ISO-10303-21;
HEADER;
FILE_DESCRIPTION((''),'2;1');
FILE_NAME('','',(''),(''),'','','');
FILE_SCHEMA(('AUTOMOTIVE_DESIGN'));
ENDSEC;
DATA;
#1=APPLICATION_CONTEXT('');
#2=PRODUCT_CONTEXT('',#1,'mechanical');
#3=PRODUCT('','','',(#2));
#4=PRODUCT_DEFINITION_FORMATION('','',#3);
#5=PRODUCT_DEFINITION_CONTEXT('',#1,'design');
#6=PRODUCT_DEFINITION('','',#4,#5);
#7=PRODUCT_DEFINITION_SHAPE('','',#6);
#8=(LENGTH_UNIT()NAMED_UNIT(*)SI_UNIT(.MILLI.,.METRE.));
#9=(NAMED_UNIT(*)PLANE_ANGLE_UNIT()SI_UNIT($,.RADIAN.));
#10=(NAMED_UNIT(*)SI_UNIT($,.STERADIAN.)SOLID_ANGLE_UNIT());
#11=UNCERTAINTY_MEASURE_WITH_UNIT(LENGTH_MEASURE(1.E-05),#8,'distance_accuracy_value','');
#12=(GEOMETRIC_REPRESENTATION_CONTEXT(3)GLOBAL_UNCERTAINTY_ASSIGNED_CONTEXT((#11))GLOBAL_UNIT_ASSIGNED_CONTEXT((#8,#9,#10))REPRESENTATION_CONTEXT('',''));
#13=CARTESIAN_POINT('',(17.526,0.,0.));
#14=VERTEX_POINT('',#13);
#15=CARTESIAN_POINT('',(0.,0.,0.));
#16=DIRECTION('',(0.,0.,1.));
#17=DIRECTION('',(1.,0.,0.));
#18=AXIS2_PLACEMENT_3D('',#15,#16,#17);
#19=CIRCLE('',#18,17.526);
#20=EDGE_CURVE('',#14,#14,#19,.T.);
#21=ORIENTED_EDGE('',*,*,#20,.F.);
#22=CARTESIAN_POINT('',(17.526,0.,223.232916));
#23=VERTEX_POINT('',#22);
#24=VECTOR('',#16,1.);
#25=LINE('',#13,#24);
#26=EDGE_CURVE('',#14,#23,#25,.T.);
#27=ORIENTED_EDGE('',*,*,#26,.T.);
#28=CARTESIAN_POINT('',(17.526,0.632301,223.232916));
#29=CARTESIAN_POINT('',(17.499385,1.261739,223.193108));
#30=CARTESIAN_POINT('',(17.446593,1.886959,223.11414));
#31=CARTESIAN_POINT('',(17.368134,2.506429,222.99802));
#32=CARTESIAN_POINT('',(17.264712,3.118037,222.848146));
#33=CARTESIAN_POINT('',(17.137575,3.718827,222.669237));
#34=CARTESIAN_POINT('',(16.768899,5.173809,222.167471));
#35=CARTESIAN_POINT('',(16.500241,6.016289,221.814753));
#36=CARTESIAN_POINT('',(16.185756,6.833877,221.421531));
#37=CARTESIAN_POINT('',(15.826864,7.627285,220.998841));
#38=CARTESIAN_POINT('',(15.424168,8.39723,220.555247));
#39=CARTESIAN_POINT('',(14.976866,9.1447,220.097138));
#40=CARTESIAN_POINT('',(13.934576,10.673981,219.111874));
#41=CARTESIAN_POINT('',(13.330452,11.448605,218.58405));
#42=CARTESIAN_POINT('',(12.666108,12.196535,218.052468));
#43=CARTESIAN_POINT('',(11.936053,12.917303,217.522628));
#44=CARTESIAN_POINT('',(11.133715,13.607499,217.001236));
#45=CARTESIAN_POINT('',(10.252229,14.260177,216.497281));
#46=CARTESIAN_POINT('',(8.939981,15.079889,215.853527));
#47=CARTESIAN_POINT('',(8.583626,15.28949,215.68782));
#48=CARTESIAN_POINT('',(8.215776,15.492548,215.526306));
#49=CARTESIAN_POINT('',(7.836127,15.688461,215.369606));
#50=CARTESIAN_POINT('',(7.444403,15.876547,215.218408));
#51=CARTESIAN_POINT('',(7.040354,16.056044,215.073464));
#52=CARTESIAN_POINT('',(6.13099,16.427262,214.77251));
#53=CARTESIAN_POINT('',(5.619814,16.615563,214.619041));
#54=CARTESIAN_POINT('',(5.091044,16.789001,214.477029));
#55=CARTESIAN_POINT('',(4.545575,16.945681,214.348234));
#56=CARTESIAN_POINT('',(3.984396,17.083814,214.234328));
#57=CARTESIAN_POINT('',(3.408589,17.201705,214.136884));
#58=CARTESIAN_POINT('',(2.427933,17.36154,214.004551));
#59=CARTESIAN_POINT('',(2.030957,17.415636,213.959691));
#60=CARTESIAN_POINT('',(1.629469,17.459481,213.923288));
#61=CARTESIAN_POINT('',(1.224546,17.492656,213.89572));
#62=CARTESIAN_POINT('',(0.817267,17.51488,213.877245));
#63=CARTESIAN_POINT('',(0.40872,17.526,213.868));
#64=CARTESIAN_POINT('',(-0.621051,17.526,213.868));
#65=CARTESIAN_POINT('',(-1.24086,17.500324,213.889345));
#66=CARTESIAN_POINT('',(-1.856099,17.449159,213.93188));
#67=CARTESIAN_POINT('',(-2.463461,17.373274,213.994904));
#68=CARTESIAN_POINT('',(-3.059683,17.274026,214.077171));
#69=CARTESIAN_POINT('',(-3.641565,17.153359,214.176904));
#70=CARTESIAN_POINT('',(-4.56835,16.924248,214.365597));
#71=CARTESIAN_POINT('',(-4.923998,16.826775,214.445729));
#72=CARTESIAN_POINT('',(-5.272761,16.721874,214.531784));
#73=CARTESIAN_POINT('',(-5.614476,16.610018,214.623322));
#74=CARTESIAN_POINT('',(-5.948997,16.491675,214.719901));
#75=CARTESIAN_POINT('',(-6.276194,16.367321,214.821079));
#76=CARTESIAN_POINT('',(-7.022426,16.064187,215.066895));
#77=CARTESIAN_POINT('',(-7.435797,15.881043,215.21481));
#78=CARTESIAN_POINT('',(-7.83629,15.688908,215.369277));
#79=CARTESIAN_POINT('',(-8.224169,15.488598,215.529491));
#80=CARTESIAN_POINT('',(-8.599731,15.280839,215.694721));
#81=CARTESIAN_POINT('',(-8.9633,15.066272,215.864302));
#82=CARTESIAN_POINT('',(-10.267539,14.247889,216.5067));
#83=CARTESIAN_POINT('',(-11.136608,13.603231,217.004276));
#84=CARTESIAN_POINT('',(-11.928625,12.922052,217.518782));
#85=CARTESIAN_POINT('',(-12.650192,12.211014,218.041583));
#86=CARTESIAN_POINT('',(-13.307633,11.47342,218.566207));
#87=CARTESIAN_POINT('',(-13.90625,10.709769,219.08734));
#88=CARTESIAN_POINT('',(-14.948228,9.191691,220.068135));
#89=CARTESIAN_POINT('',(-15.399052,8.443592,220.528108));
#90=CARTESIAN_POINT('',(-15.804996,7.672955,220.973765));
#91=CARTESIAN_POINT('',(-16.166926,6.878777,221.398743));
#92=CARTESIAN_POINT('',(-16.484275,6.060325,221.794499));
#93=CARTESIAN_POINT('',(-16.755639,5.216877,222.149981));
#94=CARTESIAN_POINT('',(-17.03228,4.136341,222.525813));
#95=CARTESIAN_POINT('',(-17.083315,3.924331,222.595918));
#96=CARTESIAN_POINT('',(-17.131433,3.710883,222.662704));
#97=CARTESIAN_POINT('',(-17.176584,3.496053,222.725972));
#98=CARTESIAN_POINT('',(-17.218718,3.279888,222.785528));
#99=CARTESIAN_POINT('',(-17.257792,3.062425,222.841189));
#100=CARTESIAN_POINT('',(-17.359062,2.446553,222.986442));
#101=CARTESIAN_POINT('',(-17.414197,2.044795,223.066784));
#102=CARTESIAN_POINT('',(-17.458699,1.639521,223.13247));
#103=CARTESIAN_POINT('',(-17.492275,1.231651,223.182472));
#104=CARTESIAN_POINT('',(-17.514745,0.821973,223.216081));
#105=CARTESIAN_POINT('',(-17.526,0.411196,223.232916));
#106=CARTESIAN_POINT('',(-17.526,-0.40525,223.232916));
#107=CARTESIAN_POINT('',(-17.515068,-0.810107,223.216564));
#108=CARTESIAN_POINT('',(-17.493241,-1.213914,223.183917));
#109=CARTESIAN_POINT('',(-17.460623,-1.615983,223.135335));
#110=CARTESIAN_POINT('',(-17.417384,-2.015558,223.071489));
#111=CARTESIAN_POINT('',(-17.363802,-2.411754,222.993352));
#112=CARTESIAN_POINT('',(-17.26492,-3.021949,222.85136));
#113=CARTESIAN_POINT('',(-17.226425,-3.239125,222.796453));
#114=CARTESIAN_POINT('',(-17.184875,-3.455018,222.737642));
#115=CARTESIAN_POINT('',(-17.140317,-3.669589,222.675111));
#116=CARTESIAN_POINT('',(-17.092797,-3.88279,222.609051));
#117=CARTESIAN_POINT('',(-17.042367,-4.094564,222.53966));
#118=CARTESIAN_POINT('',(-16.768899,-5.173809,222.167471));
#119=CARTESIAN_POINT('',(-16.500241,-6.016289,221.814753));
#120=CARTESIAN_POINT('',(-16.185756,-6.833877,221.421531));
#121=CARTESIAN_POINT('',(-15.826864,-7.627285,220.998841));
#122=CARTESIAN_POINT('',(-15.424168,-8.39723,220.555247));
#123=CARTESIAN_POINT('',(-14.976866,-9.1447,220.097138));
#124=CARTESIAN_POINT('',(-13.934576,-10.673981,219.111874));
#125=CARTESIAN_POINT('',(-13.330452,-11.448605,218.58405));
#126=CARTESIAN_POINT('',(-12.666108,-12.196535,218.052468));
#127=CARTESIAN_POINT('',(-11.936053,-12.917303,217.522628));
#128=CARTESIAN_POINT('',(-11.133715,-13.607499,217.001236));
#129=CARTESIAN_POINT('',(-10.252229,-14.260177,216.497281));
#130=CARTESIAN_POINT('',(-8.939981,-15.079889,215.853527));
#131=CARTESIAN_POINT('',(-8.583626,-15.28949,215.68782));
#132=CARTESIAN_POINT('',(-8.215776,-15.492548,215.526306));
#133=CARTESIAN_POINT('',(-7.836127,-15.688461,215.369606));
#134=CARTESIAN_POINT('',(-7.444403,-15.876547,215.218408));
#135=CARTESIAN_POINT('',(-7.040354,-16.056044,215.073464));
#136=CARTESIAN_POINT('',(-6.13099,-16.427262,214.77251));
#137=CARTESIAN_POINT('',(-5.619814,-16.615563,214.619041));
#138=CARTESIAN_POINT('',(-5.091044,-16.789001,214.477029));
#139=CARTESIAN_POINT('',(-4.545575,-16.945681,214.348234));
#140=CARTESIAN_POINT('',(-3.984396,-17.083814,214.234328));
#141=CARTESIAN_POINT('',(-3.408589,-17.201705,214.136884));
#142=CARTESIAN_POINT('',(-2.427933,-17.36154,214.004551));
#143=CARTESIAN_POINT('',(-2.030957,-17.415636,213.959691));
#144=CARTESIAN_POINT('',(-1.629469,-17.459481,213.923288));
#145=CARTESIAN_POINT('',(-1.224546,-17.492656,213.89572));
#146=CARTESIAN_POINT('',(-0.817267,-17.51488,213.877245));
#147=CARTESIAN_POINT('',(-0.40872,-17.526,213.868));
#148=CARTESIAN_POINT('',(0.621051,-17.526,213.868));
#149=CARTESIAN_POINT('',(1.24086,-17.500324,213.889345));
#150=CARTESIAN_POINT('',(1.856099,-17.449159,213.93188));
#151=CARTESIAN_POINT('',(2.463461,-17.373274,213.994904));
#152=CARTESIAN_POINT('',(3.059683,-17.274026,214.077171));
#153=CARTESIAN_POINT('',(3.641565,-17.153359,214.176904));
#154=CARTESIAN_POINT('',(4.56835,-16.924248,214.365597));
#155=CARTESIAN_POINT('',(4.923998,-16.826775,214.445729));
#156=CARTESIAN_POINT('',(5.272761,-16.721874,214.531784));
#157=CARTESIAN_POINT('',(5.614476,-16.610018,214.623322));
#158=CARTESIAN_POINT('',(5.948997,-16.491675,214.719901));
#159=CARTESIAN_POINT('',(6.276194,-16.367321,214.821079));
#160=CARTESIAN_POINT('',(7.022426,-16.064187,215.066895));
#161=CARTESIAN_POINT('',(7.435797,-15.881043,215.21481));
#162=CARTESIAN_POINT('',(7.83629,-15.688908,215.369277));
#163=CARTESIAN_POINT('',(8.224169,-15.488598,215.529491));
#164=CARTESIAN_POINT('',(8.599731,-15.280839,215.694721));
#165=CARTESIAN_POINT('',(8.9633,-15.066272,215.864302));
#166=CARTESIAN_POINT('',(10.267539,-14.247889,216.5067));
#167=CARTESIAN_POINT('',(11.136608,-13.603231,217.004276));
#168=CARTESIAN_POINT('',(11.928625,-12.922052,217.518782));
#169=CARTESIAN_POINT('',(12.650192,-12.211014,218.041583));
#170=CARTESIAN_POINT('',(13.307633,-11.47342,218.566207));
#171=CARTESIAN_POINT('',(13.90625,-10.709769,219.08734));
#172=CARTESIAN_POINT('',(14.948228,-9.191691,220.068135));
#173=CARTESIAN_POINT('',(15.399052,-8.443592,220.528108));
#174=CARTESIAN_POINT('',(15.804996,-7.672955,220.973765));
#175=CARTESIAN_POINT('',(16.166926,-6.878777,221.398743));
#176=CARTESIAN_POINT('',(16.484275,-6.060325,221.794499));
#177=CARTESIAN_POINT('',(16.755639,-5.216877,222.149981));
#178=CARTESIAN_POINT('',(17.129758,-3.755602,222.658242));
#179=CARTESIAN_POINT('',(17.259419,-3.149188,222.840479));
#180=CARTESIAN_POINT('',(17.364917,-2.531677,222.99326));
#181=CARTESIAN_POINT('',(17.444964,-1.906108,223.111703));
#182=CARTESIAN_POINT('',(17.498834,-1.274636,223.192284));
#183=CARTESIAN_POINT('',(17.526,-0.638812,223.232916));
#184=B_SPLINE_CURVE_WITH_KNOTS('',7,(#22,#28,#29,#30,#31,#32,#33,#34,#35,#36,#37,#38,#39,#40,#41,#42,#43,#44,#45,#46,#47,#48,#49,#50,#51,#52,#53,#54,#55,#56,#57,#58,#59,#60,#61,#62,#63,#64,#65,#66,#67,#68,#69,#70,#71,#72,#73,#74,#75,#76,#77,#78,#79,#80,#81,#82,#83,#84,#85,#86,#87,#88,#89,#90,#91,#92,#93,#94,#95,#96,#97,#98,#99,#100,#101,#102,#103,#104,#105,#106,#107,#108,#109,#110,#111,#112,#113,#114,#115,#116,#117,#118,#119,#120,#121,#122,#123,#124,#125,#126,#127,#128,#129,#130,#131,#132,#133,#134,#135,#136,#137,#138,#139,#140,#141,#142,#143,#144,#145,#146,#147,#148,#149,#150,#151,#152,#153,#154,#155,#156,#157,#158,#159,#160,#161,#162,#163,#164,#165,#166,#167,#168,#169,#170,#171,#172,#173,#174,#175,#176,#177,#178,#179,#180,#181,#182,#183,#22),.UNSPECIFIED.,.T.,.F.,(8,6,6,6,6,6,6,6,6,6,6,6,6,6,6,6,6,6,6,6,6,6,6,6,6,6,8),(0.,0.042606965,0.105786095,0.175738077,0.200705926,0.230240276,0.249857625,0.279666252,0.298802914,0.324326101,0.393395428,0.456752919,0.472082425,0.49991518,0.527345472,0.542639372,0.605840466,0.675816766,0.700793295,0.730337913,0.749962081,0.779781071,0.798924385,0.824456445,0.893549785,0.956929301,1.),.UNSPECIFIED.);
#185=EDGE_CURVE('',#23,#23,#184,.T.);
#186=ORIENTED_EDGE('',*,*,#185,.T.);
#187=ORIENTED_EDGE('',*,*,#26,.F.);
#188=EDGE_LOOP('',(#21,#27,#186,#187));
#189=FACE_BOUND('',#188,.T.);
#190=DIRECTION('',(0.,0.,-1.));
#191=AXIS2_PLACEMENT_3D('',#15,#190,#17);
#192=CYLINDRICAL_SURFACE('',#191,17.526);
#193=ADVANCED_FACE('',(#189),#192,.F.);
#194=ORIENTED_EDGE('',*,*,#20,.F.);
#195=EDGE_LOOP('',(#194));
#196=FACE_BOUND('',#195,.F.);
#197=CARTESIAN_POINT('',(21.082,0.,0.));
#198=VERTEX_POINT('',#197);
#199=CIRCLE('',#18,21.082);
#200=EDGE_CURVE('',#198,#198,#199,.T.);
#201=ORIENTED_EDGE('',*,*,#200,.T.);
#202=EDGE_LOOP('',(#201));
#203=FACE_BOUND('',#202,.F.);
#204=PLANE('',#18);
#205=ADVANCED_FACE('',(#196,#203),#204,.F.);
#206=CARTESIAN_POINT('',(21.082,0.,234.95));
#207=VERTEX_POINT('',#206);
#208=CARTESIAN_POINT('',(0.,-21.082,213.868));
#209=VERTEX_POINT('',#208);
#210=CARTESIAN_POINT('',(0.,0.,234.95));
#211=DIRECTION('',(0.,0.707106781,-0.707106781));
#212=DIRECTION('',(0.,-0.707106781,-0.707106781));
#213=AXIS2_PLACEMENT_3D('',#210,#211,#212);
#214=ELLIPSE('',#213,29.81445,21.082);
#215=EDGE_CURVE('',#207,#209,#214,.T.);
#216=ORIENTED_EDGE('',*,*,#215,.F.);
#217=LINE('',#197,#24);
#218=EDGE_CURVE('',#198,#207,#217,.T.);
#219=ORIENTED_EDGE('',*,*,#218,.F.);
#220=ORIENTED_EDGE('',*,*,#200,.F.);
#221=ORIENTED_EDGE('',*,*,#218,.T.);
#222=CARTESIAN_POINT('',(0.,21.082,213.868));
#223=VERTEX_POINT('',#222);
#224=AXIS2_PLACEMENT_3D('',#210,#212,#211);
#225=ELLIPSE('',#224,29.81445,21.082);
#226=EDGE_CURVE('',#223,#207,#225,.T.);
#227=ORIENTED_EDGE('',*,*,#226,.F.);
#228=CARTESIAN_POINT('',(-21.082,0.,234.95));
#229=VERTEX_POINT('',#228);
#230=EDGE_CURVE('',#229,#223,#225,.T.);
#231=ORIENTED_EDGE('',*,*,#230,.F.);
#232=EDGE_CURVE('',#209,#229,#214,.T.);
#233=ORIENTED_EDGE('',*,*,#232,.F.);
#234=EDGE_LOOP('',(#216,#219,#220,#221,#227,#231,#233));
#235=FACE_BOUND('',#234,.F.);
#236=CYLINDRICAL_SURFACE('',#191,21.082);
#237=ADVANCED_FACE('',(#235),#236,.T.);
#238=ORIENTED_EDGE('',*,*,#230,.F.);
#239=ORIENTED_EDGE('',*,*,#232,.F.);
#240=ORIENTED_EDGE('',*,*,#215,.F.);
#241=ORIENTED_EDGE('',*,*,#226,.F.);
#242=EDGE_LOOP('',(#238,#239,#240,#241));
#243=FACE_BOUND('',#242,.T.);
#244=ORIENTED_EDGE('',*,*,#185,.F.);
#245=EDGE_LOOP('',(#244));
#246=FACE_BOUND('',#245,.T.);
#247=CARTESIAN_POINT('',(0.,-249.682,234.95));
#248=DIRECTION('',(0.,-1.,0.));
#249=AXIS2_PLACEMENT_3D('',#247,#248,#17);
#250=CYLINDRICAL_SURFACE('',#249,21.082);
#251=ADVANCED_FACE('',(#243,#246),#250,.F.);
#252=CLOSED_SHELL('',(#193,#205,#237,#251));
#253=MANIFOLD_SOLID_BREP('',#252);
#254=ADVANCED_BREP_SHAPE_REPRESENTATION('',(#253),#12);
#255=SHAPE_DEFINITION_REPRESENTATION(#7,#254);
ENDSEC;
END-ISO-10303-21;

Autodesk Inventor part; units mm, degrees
ref_plane "Start plane" through (0, 0, 0) normal (0, 0, 1) x (1, 0, 0)
ref_plane "End plane" through (0, 0, 234.95) normal (0, 0, 1) x (1, 0, 0)
sketch "Sketch" plane through (0, 0, 0) normal (0, 0, 1) x (1, 0, 0)
  circle A0 centre (0, 0) radius 17.526
  circle A1 centre (0, 0) radius 21.082
  dimension "d0" = 42.164
  dimension "d1" = 3.556
extrude "Body" add sketch "Sketch" along normal up to surface (234.95 mm away) from surface at 0
sketch "Sketch3" plane through (0, 0, 0) normal (0, 0, 1) x (1, 0, 0)
  line L0 (0, 0) -> (10, 0)
ref_plane "Work Plane3" through (0, 0, 0) normal (0, -1, 0) x (1, 0, 0)
sketch "Sketch4" plane through (0, 0, 0) normal (0, -1, 0) x (1, 0, 0)
  line L0 (-2, 0) -> (12, 0)
  line L1 (-2, 234.95) -> (12, 234.95)
  dimension "d7" = 234.95
ref_plane "Work Plane4" through (0, -249.682, 234.95) normal (0, 1, 0) x (1, 0, 0)
ref_plane "Work Plane5" through (0, 512.318, 234.95) normal (0, 1, 0) x (1, 0, 0)
ref_plane "Work Plane6" through (0, 131.318, 234.95) normal (0, 1, 0) x (1, 0, 0)
sketch "Sketch5" plane through (0, 131.318, 234.95) normal (0, 1, 0) x (1, 0, 0)
  circle A0 centre (0, 0) radius 21.082
  circle A1 centre (0, 0) radius 17.526
extrude "Extrusion2" cut sketch "Sketch5" along normal up to surface (762 mm away) from surface at -381 contours A0 | A1
equation "\"d0\" = G_H"
equation "\"d1\" = G_T"
equation "\"d2\" = G_L"
equation "\"G_H\" = 42.164"
equation "\"G_T\" = 3.556"
equation "\"G_L\" = d7"
equation "\"G_OFFSET_START\" = 0"
equation "\"G_OFFSET_END\" = 0"
equation "\"d5\" = G_OFFSET_END + B_L"
equation "\"B_L\" = 234.95"
properties part number "ANSI - 1 1/4 x 0.140 - 9.25" material "Aluminum 6061"
